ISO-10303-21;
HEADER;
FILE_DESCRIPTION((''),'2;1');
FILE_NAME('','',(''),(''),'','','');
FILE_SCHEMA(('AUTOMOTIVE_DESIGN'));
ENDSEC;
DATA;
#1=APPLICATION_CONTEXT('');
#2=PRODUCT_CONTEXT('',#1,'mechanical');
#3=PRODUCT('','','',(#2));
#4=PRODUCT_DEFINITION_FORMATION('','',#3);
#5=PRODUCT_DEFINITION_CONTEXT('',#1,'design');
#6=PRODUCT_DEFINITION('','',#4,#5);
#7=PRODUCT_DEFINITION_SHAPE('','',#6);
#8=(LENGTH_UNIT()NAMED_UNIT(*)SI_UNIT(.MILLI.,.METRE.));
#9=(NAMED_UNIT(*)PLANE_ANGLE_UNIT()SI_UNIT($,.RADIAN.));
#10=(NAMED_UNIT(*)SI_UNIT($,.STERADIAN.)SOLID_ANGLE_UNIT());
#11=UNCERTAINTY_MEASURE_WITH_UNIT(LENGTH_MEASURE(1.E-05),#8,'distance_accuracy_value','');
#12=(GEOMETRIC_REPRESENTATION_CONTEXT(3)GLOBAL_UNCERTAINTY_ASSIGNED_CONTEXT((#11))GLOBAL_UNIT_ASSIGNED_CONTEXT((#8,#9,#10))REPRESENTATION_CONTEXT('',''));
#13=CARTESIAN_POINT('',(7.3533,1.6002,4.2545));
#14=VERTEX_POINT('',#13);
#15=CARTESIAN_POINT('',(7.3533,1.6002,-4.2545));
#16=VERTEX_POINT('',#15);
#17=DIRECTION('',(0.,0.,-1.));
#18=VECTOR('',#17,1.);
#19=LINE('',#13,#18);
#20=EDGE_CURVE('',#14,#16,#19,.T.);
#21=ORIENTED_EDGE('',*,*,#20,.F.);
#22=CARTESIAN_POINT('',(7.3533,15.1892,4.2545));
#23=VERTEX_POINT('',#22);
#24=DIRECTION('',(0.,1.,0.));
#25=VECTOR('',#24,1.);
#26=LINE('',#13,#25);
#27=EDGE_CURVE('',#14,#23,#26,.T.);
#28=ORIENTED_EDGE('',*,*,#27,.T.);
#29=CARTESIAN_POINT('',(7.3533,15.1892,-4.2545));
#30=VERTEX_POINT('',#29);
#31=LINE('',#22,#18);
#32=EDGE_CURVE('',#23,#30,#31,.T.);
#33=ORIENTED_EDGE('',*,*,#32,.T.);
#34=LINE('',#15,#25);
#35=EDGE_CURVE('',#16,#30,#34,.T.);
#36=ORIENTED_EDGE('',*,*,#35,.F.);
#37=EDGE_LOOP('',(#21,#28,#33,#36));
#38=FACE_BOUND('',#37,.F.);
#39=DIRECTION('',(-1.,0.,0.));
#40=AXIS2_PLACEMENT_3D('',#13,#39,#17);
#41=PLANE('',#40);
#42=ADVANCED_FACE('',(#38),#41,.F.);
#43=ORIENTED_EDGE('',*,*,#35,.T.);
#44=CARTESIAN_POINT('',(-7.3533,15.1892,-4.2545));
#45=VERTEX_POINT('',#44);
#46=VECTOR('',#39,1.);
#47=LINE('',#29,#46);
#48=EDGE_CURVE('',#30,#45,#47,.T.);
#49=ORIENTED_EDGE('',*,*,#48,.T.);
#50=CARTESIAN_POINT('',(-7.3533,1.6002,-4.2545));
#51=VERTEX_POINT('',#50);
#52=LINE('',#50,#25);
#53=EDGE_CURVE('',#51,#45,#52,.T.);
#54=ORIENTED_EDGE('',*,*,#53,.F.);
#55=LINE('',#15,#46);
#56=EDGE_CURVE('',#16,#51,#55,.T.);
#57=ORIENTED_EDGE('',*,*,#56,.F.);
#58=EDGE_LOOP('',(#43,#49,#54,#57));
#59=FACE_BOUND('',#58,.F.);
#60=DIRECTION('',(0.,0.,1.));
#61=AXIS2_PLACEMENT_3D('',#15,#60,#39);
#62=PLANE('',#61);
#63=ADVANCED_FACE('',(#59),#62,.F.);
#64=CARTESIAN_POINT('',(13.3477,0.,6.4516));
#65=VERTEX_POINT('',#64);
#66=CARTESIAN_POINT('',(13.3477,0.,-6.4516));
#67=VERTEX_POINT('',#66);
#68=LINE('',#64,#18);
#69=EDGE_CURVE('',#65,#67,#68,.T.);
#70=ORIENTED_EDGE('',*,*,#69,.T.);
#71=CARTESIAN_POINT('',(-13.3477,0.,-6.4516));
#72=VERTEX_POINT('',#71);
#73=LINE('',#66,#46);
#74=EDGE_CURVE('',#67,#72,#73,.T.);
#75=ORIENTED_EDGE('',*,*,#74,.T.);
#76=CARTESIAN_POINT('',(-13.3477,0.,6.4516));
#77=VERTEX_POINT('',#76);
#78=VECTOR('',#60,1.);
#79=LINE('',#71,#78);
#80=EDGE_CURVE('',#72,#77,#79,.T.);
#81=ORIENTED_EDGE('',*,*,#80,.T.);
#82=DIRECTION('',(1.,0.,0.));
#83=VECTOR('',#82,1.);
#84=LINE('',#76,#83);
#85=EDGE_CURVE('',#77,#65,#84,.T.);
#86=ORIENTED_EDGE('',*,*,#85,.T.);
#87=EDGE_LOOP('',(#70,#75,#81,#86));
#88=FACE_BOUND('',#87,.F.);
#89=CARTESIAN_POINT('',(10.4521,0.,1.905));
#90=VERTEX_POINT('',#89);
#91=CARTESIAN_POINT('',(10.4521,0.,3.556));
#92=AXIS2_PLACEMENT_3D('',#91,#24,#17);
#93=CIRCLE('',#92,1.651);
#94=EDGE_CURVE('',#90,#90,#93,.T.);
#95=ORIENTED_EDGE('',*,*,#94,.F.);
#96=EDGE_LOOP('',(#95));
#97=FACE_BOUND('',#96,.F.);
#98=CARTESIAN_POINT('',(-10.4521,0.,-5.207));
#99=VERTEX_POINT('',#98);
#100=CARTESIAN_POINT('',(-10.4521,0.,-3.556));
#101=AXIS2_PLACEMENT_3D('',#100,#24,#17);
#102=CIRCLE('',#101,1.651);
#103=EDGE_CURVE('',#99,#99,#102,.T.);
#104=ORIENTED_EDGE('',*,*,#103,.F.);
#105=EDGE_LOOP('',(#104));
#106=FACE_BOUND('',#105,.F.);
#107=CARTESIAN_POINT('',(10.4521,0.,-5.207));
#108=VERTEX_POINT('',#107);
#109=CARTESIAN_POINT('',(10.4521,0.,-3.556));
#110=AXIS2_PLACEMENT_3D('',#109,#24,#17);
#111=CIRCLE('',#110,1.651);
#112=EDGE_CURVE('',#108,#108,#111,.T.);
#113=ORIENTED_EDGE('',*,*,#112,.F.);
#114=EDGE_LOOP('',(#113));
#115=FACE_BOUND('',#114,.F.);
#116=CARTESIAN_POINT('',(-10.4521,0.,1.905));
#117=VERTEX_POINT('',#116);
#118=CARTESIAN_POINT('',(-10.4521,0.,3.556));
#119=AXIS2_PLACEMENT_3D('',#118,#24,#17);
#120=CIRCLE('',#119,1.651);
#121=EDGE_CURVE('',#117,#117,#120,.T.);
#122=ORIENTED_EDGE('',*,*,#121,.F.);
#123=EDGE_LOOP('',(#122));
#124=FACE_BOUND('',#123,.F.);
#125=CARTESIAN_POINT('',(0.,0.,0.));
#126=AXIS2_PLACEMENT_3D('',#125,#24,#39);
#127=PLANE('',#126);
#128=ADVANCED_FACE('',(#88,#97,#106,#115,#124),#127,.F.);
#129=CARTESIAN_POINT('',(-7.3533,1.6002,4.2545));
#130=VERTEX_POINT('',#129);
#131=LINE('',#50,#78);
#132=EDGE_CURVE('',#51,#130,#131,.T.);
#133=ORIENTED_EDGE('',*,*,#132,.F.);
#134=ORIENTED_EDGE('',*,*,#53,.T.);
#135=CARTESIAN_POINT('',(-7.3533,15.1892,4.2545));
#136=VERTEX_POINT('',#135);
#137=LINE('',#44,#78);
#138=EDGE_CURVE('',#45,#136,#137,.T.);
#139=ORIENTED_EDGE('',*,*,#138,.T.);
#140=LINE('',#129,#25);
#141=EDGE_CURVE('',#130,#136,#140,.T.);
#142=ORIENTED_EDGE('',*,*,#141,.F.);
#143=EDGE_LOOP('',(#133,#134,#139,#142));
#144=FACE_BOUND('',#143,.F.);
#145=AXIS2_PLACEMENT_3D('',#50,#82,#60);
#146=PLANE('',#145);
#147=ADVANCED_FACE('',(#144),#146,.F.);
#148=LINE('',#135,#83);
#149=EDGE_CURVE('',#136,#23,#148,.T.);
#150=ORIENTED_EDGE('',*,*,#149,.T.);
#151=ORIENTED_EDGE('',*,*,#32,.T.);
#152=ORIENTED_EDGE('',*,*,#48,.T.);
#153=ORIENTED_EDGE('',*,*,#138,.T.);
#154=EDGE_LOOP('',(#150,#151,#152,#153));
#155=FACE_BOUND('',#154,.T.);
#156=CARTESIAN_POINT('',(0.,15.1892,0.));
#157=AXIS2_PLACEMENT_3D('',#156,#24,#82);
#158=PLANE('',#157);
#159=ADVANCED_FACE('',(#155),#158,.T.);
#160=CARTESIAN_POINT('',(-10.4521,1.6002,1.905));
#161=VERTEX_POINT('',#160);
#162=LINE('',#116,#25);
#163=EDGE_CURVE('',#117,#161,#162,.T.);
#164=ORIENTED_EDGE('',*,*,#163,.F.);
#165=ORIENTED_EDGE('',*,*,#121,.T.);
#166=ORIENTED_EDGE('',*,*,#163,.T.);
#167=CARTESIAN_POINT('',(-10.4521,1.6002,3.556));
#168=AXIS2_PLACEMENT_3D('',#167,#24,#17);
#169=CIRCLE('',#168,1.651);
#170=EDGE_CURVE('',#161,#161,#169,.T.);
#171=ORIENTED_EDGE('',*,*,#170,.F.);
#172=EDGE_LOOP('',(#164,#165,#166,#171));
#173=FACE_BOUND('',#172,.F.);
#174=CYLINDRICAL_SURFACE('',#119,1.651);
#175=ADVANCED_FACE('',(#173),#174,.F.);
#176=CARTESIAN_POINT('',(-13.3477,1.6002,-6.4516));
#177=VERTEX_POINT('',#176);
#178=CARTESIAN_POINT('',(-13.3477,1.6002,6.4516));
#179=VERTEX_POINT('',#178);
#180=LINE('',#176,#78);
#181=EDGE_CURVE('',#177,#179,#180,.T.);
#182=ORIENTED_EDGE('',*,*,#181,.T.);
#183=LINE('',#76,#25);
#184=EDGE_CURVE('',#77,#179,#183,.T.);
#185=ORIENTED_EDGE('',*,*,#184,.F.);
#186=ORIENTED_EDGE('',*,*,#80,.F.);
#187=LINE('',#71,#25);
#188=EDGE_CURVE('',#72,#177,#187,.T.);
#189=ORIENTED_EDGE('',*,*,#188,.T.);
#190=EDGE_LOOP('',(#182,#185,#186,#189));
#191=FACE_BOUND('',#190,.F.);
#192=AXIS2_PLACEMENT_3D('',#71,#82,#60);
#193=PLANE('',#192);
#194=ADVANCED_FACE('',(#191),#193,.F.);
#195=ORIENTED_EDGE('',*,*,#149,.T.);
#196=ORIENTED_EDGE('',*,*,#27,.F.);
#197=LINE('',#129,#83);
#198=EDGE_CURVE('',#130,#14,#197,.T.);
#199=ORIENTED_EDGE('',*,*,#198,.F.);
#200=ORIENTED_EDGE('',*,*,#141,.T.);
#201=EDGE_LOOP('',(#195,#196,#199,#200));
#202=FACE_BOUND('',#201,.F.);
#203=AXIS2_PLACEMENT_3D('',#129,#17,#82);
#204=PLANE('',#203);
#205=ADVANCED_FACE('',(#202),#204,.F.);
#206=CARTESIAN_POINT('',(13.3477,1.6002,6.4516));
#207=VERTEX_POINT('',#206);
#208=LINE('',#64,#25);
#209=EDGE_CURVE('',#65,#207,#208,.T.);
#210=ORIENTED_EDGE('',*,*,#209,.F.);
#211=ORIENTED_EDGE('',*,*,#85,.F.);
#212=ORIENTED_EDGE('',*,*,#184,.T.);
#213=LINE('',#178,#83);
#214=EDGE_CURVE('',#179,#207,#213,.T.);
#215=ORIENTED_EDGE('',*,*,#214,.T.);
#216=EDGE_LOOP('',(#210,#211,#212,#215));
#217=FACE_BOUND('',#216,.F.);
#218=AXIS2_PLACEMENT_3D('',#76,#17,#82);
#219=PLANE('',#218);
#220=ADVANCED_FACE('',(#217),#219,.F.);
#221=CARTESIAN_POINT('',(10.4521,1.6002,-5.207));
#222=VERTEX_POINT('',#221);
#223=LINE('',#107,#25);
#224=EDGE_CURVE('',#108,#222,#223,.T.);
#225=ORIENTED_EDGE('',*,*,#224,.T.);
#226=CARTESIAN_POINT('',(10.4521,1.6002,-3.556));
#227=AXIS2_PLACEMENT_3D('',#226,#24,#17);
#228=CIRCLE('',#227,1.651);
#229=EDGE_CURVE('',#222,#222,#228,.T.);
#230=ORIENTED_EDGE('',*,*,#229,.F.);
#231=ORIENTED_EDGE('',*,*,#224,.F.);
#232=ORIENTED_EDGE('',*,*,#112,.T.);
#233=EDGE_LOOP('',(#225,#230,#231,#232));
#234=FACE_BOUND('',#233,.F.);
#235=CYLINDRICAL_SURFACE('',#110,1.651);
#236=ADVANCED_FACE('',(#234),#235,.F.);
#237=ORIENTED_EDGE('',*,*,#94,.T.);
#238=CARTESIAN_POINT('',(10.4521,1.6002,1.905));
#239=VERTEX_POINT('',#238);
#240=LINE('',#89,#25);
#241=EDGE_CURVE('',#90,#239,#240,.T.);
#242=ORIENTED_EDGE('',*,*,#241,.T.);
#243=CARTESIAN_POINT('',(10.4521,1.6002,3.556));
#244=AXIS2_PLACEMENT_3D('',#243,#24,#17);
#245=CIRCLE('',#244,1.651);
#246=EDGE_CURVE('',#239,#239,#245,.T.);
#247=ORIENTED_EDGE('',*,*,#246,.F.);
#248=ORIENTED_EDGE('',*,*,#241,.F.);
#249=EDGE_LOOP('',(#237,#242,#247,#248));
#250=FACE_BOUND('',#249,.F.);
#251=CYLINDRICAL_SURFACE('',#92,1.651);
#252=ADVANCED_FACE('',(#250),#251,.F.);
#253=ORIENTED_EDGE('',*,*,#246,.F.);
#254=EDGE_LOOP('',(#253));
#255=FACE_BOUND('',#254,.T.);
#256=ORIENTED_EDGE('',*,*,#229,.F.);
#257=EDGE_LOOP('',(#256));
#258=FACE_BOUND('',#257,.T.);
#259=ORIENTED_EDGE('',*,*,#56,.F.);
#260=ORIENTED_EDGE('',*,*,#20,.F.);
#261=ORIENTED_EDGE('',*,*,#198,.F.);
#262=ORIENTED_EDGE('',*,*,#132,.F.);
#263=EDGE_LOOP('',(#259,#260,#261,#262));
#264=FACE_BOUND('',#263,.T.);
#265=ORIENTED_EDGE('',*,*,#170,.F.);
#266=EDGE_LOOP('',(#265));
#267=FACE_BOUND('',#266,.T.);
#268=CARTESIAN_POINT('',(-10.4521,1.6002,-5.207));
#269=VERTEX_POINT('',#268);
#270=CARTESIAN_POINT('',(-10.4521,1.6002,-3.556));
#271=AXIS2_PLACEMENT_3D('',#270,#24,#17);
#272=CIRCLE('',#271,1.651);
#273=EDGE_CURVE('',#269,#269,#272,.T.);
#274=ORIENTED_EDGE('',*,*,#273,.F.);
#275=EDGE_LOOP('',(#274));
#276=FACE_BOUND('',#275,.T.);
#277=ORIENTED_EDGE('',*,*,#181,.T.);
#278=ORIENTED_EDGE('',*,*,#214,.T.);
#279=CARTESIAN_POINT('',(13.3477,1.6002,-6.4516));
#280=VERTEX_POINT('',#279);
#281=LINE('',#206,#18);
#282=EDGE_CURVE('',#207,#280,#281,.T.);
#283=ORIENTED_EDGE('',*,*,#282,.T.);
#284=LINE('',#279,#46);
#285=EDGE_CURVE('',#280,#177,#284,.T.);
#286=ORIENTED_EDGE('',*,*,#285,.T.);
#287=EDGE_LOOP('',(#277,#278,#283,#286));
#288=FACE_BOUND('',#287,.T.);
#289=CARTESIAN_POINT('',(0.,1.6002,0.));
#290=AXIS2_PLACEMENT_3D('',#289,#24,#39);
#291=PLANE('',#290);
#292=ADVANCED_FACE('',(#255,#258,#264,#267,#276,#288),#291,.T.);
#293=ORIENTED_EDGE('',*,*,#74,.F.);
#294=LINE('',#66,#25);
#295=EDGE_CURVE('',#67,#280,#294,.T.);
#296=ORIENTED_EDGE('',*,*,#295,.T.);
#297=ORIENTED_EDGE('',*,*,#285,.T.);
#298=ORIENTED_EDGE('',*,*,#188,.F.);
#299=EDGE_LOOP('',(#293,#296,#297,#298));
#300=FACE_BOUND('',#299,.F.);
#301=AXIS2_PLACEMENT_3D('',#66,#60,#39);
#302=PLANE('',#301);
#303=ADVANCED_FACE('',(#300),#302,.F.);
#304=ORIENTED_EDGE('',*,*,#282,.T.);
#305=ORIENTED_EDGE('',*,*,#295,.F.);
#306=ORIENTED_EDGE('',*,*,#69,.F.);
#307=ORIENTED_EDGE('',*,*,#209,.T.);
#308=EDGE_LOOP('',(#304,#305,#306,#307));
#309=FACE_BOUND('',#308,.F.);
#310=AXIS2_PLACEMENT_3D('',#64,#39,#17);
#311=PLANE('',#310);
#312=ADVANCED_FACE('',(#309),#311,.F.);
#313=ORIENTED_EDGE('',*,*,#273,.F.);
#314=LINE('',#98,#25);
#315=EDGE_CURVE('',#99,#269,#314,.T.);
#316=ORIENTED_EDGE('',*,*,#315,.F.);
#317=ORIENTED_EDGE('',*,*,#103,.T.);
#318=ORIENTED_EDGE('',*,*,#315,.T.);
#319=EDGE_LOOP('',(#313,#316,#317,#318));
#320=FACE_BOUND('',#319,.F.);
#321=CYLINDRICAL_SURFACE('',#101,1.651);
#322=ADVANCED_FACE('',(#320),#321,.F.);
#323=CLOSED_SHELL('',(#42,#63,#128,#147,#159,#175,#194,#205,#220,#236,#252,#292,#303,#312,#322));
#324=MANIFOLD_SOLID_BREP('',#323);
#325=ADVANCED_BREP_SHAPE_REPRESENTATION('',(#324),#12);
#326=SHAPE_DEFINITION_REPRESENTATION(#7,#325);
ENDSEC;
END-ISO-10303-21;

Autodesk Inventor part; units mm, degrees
ref_plane "YZ Plane" through (0, 0, 0) normal (1, 0, 0) x (0, 1, 0)
ref_plane "XZ Plane" through (0, 0, 0) normal (0, 1, 0) x (-1, 0, 0)
ref_plane "XY Plane" through (0, 0, 0) normal (0, 0, 1) x (1, 0, 0)
sketch "Sketch5" plane through (0, 0, 0) normal (0, 1, 0) x (-1, 0, 0)
  line L0 (13.3477, 6.4516) -> (-13.3477, 6.4516)
  line L1 (-13.3477, 6.4516) -> (-13.3477, -6.4516)
  line L2 (-13.3477, -6.4516) -> (13.3477, -6.4516)
  line L3 (13.3477, -6.4516) -> (13.3477, 6.4516)
  line L4 (13.3477, 6.4516) -> (-13.3477, -6.4516) construction
  line L5 (-13.3477, 6.4516) -> (13.3477, -6.4516) construction
  point P0 (0, 0)
  dimension "d25" = 26.6954
  dimension "d26" = 12.9032
extrude "Extrusion3" add sketch "Sketch5" along normal blind 1.6002
sketch "Sketch6" plane through (0, 1.6002, 0) normal (0, 1, 0) x (1, 0, 0)
  line L0 (-7.3533, -4.2545) -> (7.3533, -4.2545)
  line L1 (7.3533, -4.2545) -> (7.3533, 4.2545)
  line L2 (7.3533, 4.2545) -> (-7.3533, 4.2545)
  line L3 (-7.3533, 4.2545) -> (-7.3533, -4.2545)
  line L4 (-7.3533, -4.2545) -> (7.3533, 4.2545) construction
  line L5 (7.3533, -4.2545) -> (-7.3533, 4.2545) construction
  point P0 (0, 0)
  dimension "d29" = 14.7066
  dimension "d30" = 8.509
extrude "Extrusion4" add sketch "Sketch6" along normal blind 13.589
sketch "Sketch7" plane through (0, 0, 0) normal (0, -1, 0) x (1, 0, 0)
  line L0 (-10.4521, -3.556) -> (10.4521, -3.556) construction
  line L1 (10.4521, -3.556) -> (10.4521, 3.556) construction
  line L2 (10.4521, 3.556) -> (-10.4521, 3.556) construction
  line L3 (-10.4521, 3.556) -> (-10.4521, -3.556) construction
  line L4 (-10.4521, -3.556) -> (10.4521, 3.556) construction
  line L5 (10.4521, -3.556) -> (-10.4521, 3.556) construction
  point P0 (0, 0)
  dimension "d33" = 20.9042
  dimension "d34" = 7.112
hole "Hole3" at (-10.4521, 0, 3.556) at (10.4521, 0, 3.556) at (10.4521, 0, -3.556) at (-10.4521, 0, -3.556) direction (0, 1, 0) diameter 3.302 end through all
equation "\"d25\" = CanBaseWidth"
equation "\"d26\" = CanBaseLength"
equation "\"d27\" = pcBoardDepth"
equation "\"d29\" = connectorWidth"
equation "\"d30\" = connectorLength"
equation "\"d31\" = connectorHeight"
equation "\"d33\" = HoleWidth"
equation "\"d34\" = HoleLength"
equation "\"CanBaseWidth\" = 26.6954"
equation "\"CanBaseLength\" = 12.9032"
equation "\"HoleWidth\" = 20.9042"
equation "\"HoleLength\" = 7.112"
equation "\"BaseOffset\" = 5.08"
equation "\"PartWidth\" = CanBaseWidth + 2 * BaseOffset"
equation "\"PartLength\" = CanBaseLength + 2 * BaseOffset"
equation "\"boardGap\" = 0.508"
equation "\"boltHeadHeight\" = 3.175"
equation "\"boltHeadDiam\" = 5.08"
equation "\"pcBoardDepth\" = 1.6002"
equation "\"connectorWidth\" = 14.7066"
equation "\"connectorLength\" = 8.509"
equation "\"connectorHeight\" = 13.589"
properties part number "canConnectorModel"
